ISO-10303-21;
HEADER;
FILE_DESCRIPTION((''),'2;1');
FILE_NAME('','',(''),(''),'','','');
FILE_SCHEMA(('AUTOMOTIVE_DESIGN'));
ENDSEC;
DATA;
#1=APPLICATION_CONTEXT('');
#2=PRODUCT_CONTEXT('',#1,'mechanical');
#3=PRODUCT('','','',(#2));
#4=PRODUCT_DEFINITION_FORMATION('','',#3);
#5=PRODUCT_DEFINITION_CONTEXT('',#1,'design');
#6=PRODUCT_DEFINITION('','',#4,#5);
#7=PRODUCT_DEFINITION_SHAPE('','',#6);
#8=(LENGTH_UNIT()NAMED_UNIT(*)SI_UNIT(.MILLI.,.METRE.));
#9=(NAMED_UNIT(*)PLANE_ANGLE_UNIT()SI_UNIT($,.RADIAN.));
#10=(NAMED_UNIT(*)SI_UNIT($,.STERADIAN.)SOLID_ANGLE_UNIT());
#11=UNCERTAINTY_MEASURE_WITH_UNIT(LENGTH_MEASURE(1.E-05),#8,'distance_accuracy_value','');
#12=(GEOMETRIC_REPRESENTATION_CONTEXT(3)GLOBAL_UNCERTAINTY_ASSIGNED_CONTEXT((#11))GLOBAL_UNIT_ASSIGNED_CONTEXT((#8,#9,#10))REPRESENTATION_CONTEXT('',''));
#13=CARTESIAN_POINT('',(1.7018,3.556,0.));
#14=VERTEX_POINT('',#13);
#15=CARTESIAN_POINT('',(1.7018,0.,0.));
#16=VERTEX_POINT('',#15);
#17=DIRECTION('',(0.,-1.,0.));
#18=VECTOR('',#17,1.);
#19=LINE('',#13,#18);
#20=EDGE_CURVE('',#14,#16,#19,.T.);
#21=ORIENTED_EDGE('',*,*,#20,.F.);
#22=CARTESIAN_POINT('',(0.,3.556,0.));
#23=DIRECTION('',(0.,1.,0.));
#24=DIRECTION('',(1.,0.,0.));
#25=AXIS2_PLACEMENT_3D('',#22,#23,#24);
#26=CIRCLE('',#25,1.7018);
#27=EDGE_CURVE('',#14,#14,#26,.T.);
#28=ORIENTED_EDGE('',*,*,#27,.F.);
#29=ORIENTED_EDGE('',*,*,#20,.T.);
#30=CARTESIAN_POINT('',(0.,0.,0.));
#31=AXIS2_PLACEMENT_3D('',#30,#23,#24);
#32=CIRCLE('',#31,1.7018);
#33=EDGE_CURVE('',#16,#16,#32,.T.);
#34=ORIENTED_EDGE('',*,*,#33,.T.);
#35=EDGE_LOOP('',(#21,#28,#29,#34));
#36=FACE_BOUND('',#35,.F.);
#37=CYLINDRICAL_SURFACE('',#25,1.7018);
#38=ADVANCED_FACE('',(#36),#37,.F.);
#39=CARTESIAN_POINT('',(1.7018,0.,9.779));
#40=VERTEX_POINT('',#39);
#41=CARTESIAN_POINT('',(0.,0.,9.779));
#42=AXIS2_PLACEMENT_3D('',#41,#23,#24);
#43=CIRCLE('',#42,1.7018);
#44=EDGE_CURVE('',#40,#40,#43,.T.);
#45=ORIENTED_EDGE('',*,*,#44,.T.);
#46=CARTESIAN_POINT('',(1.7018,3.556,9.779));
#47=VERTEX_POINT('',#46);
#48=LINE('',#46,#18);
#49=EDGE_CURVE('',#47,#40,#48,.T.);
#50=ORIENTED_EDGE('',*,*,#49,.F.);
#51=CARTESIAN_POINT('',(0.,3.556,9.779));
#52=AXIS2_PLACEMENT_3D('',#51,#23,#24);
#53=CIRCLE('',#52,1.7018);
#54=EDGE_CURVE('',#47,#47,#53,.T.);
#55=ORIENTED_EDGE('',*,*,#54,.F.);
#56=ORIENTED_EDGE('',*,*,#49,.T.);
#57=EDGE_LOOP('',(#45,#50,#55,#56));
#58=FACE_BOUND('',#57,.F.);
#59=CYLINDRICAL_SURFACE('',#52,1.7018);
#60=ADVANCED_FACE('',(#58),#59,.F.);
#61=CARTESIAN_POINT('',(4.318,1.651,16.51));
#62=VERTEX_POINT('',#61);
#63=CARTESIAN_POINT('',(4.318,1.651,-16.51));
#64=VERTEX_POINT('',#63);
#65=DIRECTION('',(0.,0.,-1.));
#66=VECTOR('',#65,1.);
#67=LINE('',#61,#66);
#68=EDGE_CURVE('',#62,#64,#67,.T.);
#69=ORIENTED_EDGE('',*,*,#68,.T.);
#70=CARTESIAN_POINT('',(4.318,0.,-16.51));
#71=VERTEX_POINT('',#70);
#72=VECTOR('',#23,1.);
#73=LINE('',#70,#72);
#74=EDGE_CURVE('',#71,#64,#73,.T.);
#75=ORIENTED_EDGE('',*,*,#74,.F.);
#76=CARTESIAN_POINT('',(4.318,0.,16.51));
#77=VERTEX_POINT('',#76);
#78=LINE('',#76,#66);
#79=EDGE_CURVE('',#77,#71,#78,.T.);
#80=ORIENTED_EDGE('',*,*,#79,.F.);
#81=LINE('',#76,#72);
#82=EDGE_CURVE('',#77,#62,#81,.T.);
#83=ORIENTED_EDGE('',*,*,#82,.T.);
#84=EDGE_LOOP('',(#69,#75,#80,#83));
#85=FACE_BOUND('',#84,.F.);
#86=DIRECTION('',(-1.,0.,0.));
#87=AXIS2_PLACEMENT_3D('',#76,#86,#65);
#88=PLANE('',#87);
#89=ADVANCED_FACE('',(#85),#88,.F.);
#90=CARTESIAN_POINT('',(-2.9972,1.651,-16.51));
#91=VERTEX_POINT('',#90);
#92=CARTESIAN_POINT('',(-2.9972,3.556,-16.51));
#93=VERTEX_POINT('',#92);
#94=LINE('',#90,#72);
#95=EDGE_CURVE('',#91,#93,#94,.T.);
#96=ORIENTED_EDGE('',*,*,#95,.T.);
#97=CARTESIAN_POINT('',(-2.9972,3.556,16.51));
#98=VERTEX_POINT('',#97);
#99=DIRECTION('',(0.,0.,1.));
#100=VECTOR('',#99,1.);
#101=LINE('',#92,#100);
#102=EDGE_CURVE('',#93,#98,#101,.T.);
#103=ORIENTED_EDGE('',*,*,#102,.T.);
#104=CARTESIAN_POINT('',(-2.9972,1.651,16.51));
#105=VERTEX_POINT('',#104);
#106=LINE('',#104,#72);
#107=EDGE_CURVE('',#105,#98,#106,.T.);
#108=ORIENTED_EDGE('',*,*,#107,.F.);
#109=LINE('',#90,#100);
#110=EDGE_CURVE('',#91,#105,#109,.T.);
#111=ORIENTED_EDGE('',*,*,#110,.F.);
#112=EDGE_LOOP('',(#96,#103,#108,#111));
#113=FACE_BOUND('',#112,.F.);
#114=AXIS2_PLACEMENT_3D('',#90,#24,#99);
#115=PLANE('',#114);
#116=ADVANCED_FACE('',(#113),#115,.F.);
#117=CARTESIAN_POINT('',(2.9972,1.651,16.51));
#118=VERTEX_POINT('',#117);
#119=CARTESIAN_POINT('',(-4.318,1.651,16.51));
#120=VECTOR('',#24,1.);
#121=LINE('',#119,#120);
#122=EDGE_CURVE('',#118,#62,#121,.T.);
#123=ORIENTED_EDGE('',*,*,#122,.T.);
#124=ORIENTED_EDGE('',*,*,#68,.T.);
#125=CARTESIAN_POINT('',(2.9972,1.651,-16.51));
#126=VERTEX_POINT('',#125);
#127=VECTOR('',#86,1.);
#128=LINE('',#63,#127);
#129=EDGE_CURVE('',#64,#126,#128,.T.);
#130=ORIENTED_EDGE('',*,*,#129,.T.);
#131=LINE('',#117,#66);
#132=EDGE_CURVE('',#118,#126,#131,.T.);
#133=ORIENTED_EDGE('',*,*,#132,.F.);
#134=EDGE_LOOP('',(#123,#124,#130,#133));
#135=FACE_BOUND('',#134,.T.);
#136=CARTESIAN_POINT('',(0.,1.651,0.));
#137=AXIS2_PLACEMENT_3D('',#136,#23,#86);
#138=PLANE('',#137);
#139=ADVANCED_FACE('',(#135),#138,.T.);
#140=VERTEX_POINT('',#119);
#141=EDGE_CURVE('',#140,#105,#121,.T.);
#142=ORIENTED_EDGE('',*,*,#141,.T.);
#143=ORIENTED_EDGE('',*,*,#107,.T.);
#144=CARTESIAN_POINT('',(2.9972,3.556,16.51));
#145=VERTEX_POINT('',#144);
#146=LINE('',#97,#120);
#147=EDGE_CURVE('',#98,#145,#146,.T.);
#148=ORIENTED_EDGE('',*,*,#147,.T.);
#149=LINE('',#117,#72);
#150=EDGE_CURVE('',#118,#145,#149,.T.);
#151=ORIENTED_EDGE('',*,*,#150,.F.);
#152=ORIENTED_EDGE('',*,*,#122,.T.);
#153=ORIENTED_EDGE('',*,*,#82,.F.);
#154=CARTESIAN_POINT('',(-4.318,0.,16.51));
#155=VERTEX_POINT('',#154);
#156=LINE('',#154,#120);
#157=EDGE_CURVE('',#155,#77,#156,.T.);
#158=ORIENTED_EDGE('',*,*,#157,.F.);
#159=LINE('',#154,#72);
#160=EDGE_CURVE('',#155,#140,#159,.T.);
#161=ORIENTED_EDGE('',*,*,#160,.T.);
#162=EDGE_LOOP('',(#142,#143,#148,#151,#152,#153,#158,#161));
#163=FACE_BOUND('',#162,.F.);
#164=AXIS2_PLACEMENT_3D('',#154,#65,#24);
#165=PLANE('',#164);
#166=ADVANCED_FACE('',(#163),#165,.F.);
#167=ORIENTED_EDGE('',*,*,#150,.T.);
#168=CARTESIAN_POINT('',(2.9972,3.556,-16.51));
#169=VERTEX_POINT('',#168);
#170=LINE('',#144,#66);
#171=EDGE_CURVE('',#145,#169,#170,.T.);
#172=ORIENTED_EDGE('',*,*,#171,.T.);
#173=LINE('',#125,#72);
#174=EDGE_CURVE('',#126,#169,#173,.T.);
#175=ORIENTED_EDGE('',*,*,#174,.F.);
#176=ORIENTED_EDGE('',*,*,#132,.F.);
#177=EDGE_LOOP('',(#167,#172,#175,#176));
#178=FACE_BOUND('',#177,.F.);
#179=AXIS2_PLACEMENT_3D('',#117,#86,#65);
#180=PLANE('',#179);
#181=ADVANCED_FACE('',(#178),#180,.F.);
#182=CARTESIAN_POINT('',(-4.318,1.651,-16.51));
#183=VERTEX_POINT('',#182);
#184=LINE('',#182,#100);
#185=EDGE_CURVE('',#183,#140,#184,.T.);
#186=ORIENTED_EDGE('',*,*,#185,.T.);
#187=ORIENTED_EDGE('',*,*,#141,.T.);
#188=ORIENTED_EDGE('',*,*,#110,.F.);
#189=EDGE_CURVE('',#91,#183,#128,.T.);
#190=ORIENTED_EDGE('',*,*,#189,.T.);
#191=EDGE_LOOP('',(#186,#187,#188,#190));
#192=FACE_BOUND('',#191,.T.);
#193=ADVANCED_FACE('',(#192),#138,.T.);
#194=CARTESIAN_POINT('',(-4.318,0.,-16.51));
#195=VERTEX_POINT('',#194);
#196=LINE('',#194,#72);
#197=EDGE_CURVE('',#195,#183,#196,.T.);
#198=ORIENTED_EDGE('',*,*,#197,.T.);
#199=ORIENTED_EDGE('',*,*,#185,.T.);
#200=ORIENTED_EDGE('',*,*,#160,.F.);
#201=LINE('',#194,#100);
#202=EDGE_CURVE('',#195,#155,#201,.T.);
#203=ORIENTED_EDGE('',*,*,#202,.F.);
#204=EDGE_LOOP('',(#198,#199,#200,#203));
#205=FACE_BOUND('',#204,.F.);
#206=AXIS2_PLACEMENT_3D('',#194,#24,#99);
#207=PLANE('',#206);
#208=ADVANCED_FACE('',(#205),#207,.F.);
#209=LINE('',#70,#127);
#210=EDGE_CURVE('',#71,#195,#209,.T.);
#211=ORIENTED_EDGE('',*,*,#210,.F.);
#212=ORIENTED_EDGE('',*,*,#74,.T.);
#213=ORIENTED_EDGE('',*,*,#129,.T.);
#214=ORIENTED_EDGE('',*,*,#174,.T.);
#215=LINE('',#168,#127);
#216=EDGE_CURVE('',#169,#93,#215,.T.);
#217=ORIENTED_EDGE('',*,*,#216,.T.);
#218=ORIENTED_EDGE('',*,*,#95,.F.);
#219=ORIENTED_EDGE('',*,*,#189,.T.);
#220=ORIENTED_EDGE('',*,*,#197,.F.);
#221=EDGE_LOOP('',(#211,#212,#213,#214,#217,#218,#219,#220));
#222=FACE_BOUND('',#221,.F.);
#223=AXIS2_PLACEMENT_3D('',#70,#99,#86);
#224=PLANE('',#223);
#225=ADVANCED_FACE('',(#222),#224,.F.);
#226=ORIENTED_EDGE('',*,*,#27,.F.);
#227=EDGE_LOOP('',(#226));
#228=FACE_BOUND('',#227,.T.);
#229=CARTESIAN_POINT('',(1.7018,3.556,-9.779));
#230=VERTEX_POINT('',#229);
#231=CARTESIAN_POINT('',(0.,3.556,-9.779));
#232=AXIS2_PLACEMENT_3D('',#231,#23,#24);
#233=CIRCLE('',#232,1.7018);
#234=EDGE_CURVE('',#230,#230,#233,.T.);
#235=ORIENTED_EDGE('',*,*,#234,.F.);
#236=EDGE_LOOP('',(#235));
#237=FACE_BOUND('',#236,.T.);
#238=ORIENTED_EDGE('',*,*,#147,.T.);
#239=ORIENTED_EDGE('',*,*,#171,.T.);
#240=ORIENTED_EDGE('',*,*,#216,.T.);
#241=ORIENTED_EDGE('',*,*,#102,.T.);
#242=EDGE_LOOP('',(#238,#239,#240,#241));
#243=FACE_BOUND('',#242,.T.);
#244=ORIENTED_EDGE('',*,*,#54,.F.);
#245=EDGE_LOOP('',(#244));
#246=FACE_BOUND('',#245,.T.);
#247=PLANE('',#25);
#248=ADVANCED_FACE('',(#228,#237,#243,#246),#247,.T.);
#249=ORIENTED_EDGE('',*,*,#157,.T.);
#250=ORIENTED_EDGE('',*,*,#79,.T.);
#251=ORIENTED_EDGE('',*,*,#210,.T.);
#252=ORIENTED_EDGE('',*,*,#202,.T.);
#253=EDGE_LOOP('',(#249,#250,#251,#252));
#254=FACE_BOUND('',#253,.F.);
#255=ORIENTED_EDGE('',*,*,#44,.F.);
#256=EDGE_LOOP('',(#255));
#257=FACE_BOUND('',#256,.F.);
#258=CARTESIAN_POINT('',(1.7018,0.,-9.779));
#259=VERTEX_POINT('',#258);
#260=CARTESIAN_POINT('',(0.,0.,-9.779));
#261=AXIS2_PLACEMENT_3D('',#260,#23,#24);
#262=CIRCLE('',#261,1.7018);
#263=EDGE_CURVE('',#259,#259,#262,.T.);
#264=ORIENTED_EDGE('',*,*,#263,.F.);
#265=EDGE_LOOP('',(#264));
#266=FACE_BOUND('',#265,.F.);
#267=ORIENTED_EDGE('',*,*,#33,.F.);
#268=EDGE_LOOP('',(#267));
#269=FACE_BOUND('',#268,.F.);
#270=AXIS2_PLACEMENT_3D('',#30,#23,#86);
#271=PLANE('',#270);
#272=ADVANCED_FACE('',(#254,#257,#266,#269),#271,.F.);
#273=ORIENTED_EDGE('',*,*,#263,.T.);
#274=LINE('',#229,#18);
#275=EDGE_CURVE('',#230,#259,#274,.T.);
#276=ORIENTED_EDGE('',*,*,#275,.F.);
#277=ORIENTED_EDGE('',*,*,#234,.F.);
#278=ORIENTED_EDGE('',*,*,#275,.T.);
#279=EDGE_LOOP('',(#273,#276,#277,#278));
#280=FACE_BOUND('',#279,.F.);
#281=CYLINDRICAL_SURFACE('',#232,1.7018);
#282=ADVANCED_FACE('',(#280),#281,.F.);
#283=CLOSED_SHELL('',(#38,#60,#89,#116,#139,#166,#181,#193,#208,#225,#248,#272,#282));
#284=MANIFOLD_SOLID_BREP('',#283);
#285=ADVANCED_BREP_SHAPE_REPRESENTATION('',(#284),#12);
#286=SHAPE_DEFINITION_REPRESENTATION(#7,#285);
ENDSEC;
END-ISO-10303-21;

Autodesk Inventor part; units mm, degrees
ref_plane "XZ Plane" through (0, 0, 0) normal (0, 1, 0) x (-1, 0, 0)
ref_plane "XY Plane" through (0, 0, 0) normal (0, 0, 1) x (1, 0, 0)
sketch "Sketch1" plane through (0, 0, 0) normal (0, 1, 0) x (-1, 0, 0)
  line L0 (4.318, 16.51) -> (-4.318, 16.51)
  line L1 (-4.318, 16.51) -> (-4.318, -16.51)
  line L2 (-4.318, -16.51) -> (4.318, -16.51)
  line L3 (4.318, -16.51) -> (4.318, 16.51)
  line L4 (4.318, 16.51) -> (-4.318, -16.51) construction
  line L5 (-4.318, 16.51) -> (4.318, -16.51) construction
  point P0 (0, 0)
  dimension "d0" = 8.636
  dimension "d1" = 33.02
extrude "Base" add sketch "Sketch1" along normal blind 1.651
sketch "Sketch2" plane through (0, 1.651, 0) normal (0, 1, 0) x (1, 0, 0)
  line L0 (-2.9972, -16.51) -> (2.9972, -16.51)
  line L1 (2.9972, -16.51) -> (2.9972, 16.51)
  line L2 (2.9972, 16.51) -> (-2.9972, 16.51)
  line L3 (-2.9972, 16.51) -> (-2.9972, -16.51)
  line L4 (-2.9972, -16.51) -> (2.9972, 16.51) construction
  line L5 (2.9972, -16.51) -> (-2.9972, 16.51) construction
  point P0 (0, 0)
  dimension "d4" = 5.9944
  dimension "d5" = 33.02
extrude "Step" add sketch "Sketch2" along normal blind 1.905
sketch "Sketch3" plane through (0, 3.556, 0) normal (0, 1, 0) x (1, 0, 0)
  circle A0 centre (0, 0) radius 1.7018
  circle A1 centre (0, -9.779) radius 1.7018
  circle A2 centre (0, 9.779) radius 1.7018
  dimension "d8" = 3.4036
  dimension "d9" = 3.4036
  dimension "d10" = 3.4036
  dimension "d11" = 9.779
  dimension "d12" = 9.779
extrude "Holes" cut sketch "Sketch3" against normal through all
equation "\"d11\" = d12"
properties part number "585757_plastic_770_holes"
